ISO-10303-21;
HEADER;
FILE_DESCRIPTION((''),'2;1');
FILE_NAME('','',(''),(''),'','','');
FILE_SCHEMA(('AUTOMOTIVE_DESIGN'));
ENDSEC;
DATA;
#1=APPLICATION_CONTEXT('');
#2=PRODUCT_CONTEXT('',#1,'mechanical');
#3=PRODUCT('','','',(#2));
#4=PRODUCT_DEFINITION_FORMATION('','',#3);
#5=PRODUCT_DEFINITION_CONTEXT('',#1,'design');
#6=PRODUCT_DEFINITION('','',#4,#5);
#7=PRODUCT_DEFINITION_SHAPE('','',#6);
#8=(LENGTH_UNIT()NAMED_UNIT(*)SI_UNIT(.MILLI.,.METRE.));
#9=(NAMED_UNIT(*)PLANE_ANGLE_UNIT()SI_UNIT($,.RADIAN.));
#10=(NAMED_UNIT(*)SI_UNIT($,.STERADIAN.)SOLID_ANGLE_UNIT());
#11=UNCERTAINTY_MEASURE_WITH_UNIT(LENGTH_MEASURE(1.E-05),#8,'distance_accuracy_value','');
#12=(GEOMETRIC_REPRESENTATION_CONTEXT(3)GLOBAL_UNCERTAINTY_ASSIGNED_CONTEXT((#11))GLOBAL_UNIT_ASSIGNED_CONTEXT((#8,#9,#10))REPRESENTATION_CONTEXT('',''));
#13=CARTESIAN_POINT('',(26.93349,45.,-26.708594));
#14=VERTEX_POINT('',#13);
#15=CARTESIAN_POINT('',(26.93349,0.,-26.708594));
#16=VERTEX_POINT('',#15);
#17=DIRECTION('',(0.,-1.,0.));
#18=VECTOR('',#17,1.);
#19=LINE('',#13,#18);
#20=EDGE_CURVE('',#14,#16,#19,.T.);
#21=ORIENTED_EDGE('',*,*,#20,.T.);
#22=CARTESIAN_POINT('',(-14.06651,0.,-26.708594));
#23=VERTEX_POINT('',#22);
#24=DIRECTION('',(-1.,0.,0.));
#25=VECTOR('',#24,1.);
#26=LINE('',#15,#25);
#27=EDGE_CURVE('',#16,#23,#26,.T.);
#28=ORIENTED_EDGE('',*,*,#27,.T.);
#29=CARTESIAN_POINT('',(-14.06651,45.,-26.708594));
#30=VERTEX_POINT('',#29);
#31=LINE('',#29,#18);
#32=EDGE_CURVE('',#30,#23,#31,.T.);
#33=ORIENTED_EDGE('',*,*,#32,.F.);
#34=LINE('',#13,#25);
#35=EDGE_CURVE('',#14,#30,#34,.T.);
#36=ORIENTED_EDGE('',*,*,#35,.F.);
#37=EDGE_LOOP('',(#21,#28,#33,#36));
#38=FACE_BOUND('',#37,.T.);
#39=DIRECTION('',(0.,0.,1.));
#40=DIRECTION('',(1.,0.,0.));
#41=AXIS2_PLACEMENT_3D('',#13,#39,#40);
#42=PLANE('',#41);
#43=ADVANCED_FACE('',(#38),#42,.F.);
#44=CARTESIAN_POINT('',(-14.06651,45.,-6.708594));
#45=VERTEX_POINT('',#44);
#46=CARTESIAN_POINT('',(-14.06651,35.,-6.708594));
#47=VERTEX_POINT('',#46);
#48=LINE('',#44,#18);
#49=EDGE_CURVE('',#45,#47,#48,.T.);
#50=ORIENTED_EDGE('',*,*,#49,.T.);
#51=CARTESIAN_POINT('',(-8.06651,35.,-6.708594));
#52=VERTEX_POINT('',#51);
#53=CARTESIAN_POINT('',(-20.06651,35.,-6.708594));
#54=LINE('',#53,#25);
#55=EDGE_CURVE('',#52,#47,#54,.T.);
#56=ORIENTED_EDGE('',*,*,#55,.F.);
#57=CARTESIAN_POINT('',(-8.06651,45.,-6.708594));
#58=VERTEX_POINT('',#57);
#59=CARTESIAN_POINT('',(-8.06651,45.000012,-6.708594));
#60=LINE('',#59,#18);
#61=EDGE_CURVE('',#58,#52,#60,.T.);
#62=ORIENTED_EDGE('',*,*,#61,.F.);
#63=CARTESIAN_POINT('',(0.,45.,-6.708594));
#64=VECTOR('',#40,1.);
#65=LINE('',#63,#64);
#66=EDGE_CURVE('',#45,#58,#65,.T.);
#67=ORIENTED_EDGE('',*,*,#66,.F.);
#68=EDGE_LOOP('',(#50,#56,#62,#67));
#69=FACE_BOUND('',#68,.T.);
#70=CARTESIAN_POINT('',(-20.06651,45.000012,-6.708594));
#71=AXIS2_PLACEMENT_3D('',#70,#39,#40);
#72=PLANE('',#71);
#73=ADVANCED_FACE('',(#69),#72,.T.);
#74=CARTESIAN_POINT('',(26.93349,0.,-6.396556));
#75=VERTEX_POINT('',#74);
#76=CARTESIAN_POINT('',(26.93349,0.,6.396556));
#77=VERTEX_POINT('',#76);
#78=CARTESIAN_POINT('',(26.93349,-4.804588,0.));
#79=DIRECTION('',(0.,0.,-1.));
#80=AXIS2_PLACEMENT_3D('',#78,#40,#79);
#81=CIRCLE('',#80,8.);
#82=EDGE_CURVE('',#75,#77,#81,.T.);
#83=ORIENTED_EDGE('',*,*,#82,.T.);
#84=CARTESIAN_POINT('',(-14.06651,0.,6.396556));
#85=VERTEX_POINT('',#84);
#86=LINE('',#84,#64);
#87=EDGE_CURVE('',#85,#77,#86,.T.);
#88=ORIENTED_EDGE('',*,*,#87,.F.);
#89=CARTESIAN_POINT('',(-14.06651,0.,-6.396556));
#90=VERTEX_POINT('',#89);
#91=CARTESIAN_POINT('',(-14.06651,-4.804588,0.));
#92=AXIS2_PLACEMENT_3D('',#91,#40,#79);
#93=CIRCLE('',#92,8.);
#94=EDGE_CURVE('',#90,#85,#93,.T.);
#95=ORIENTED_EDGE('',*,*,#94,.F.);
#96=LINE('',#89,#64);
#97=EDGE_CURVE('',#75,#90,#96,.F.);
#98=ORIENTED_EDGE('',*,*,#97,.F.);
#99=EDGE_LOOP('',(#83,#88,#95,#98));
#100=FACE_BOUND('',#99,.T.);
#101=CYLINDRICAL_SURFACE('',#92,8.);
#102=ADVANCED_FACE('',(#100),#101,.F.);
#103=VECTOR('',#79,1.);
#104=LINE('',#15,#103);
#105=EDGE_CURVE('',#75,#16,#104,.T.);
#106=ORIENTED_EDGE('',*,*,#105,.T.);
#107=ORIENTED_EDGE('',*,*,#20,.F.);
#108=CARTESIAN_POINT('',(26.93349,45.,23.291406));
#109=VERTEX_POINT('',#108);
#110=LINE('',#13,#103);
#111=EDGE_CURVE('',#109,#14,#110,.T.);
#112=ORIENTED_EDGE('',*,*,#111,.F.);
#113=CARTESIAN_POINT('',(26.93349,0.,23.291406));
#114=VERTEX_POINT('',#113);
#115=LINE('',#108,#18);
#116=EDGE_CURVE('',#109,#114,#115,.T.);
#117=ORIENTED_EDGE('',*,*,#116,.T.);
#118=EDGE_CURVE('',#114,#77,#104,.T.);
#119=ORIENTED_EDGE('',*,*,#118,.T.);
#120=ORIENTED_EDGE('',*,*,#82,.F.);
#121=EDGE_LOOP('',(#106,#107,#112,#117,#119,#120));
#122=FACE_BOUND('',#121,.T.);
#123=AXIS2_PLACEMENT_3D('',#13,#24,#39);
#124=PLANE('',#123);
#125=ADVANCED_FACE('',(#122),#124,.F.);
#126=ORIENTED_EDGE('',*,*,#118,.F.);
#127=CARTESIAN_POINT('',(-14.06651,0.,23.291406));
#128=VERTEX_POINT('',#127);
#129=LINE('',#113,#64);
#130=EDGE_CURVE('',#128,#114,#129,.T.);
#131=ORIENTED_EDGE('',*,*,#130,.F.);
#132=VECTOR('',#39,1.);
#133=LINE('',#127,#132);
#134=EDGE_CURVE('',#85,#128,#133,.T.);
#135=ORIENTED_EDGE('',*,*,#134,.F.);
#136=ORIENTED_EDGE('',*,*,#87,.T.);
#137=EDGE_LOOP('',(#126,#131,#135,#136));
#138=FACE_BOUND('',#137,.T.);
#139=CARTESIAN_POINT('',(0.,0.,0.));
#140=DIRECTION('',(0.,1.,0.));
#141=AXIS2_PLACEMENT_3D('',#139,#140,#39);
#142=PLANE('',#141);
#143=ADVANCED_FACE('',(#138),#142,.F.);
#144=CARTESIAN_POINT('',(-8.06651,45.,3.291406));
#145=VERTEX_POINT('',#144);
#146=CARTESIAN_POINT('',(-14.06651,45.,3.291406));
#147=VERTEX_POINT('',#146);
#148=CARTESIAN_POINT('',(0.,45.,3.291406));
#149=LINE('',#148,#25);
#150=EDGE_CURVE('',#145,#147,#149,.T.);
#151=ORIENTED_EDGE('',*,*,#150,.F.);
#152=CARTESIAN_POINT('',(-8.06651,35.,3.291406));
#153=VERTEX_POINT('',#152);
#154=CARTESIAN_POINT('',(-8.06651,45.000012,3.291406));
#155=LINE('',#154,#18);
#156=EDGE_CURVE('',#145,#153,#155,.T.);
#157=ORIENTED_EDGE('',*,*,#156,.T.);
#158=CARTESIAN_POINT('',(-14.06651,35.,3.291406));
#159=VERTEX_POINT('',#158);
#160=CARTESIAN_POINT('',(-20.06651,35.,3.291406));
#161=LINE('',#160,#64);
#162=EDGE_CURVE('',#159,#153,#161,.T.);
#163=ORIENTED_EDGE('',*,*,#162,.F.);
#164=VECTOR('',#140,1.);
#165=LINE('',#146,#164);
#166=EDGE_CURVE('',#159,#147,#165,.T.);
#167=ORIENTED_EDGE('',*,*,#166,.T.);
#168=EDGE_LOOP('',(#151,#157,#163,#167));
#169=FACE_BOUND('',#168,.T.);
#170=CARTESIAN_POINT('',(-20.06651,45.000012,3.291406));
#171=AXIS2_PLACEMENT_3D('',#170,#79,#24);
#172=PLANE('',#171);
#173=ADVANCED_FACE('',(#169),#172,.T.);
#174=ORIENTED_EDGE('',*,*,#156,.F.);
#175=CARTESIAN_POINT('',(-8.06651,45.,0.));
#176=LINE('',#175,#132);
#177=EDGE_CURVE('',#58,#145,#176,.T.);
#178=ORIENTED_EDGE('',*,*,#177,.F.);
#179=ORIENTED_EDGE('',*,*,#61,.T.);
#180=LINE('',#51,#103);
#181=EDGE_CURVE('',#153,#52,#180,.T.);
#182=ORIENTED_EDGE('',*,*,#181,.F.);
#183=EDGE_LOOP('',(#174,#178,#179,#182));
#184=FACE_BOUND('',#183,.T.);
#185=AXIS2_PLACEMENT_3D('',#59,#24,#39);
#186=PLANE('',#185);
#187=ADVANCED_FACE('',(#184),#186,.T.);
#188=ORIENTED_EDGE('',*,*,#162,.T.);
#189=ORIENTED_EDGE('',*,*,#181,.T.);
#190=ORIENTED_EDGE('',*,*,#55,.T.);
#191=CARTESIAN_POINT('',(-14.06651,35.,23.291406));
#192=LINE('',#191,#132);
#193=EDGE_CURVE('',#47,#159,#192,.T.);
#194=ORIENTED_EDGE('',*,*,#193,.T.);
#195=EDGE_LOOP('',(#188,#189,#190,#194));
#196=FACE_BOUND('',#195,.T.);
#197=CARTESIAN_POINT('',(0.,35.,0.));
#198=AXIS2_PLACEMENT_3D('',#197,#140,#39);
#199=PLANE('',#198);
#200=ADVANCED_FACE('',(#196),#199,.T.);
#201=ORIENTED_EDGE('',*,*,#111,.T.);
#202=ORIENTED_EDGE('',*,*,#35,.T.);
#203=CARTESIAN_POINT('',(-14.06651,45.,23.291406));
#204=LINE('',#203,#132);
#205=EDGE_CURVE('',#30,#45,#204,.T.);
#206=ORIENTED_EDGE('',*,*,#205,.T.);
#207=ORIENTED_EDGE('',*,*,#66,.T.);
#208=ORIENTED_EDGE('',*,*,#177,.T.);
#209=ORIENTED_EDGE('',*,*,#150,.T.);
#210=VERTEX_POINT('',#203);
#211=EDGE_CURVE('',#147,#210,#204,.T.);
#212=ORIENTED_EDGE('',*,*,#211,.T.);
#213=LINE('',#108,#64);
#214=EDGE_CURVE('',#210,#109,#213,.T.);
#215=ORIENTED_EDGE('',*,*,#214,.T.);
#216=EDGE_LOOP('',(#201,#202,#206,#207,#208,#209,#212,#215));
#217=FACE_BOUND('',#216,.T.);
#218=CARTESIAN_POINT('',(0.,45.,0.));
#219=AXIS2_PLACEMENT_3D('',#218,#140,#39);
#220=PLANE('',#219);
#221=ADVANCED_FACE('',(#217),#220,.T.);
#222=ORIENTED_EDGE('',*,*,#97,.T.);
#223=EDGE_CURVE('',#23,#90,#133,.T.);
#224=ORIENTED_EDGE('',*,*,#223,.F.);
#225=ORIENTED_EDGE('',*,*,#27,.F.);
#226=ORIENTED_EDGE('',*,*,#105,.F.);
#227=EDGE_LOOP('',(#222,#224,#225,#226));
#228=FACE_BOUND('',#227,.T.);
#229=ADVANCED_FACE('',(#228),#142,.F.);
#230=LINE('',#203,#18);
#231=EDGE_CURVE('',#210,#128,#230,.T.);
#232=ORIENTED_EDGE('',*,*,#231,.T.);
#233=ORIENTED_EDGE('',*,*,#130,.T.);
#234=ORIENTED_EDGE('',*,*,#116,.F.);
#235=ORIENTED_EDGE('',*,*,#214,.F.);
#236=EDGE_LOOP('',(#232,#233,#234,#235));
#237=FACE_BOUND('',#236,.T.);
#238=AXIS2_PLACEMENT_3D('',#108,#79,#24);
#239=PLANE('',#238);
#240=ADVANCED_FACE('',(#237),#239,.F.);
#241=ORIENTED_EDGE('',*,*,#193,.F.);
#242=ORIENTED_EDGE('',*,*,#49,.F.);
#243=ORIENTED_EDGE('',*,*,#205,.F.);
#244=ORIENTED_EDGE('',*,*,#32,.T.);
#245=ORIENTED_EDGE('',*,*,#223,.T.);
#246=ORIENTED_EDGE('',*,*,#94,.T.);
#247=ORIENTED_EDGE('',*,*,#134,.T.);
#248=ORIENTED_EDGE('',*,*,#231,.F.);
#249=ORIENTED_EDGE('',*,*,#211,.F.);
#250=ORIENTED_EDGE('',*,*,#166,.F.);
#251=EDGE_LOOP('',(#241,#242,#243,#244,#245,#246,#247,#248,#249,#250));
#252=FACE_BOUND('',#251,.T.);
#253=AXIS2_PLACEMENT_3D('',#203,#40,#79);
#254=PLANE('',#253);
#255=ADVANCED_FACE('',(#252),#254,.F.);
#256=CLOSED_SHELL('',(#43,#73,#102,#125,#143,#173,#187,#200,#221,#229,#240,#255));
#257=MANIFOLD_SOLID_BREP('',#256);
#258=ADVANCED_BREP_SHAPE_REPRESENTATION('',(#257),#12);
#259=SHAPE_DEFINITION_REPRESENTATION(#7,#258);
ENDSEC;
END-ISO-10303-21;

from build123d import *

# Parameters (mm, degrees)
SKETCH1_W               = 41
SKETCH1_H               = 50
BOSS_EXTRUDE1_DEPTH     = 45
CUT_EXTRUDE1_DEPTH      = 59.85373316
CUT_EXTRUDE1_DEPTH_BACK = 10
SKETCH2_W               = 12
SKETCH2_H               = 10
CUT_EXTRUDE2_DEPTH      = 67.47818445
CUT_EXTRUDE2_DEPTH_BACK = 67.47818445
SKETCH3_R               = 8


with BuildPart() as part:
    # Sketch1 → Boss-Extrude1 (new body)
    with BuildSketch(Plane(origin=(0, 0, 0), x_dir=(1, 0, 0), z_dir=(0, 1, 0))):
        with Locations((6.433490288, 1.708594269)):
            Rectangle(SKETCH1_W, SKETCH1_H)
    extrude(amount=BOSS_EXTRUDE1_DEPTH)

    # Sketch2 → Cut-Extrude1 (cut, two sides: drawn at the far end of the back side and taken through both)
    with BuildSketch(Plane(origin=(0, 45, 0), x_dir=(1, 0, 0), z_dir=(0, 1, 0)).offset(-CUT_EXTRUDE1_DEPTH_BACK)):
        with Locations((-14.066509712, 1.708594269)):
            Rectangle(SKETCH2_W, SKETCH2_H)
    extrude(amount=CUT_EXTRUDE1_DEPTH + CUT_EXTRUDE1_DEPTH_BACK, mode=Mode.SUBTRACT)

    # Sketch3 → Cut-Extrude2 (cut, two sides: drawn at the far end of the back side and taken through both)
    with BuildSketch(Plane(origin=(26.933490288, 0, 0), x_dir=(0, 0, -1), z_dir=(1, 0, 0)).offset(-CUT_EXTRUDE2_DEPTH_BACK)):
        with Locations((0, -4.804588256)):
            Circle(SKETCH3_R)
    extrude(amount=CUT_EXTRUDE2_DEPTH + CUT_EXTRUDE2_DEPTH_BACK, mode=Mode.SUBTRACT)


solid = part.part
